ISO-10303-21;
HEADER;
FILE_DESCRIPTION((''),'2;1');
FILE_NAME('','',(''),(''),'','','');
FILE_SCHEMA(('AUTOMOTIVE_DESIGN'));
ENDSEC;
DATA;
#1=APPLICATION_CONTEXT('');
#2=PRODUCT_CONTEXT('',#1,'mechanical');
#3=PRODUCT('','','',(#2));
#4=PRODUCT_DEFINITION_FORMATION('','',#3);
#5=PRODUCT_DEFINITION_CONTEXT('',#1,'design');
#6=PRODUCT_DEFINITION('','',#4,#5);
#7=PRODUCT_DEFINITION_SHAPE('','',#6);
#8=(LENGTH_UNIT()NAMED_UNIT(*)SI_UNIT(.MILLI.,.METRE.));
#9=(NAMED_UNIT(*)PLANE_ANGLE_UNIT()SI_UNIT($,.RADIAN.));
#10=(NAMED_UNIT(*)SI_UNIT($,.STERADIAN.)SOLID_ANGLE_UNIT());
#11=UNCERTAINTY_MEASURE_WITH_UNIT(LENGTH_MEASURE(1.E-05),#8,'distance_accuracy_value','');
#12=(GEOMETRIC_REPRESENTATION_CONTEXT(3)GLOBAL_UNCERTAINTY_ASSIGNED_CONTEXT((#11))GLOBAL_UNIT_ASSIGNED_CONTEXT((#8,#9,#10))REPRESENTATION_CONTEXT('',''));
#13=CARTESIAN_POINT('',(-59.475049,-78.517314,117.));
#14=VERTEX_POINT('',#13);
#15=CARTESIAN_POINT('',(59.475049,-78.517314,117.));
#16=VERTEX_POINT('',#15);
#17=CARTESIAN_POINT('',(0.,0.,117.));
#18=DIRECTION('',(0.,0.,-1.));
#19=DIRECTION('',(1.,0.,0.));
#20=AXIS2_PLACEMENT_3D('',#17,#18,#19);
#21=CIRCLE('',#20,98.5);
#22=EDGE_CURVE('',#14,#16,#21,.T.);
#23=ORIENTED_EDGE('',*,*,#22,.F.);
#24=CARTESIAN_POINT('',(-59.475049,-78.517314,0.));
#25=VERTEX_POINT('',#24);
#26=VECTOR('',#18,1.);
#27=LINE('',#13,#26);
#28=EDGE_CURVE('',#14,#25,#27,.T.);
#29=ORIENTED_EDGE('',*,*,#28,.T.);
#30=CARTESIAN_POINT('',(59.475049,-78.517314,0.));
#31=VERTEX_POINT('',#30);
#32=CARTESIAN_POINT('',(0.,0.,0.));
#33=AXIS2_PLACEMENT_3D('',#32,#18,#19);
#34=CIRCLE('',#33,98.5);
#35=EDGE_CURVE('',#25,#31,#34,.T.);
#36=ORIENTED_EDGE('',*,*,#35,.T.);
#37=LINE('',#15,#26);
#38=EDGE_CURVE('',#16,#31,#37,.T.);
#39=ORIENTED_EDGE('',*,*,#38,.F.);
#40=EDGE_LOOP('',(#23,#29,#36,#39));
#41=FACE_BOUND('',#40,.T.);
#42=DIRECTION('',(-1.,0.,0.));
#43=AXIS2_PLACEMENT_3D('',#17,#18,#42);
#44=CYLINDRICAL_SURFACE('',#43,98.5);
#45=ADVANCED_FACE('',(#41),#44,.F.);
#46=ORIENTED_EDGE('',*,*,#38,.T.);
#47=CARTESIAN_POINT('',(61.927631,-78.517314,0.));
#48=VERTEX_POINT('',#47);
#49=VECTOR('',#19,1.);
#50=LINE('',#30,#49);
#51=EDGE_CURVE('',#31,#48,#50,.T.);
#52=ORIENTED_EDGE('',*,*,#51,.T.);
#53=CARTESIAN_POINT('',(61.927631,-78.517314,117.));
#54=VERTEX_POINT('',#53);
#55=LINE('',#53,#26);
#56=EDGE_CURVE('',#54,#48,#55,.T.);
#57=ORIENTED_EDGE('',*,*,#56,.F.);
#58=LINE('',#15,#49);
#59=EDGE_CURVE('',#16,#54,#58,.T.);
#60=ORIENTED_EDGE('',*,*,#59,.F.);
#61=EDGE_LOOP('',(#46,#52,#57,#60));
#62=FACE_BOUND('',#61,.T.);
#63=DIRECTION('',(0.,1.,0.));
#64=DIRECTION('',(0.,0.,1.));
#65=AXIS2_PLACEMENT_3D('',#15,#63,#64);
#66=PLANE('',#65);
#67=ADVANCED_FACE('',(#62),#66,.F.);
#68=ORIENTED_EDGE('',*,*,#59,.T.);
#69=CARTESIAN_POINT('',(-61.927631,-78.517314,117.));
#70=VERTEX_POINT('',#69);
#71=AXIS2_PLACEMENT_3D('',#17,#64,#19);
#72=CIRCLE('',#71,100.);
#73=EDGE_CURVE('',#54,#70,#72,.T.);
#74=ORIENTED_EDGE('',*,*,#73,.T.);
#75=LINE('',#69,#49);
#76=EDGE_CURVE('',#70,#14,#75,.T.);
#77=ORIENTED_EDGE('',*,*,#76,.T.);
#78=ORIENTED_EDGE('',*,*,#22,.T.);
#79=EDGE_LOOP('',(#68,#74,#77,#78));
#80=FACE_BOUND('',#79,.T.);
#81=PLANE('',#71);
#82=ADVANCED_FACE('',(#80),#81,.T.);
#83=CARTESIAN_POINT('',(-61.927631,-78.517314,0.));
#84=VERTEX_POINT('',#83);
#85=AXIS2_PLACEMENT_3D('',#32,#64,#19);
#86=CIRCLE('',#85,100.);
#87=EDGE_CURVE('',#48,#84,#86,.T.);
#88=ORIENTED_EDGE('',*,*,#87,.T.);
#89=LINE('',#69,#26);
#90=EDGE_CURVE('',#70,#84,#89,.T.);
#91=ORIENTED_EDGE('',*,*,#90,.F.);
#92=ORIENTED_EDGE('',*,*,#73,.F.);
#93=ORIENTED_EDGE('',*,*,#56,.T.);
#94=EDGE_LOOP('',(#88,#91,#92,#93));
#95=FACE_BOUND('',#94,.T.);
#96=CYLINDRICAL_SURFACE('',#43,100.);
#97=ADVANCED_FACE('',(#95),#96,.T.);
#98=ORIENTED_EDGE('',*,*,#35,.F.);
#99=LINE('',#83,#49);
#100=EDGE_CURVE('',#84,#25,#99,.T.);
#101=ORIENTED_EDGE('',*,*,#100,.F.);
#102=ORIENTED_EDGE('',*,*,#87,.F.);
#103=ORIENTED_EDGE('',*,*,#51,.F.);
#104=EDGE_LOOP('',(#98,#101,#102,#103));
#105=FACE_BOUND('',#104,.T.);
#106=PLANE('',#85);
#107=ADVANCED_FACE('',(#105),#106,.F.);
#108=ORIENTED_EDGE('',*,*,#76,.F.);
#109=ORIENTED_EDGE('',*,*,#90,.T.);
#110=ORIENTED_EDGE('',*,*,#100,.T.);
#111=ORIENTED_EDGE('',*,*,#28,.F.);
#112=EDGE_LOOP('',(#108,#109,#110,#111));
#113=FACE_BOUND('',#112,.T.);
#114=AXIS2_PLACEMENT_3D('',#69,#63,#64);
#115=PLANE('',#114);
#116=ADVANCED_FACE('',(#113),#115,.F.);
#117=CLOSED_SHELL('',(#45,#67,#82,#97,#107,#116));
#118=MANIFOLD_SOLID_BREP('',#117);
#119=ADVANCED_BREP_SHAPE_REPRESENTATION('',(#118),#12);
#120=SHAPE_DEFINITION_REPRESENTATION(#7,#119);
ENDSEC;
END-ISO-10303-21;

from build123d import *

# Parameters (mm, degrees)
EXTRUDE_1_DEPTH = 117


with BuildPart() as part:
    # 草图2 → 凸台-拉伸1 (new body)
    with BuildSketch(Plane.XY):
        with BuildLine():
            Line((-61.927630674, -78.517313754), (-59.475048894, -78.517313754))
            ThreePointArc((-59.475048894, -78.517313754), (0, 98.5), (59.475048894, -78.517313754))
            Line((59.475048894, -78.517313754), (61.927630674, -78.517313754))
            ThreePointArc((61.927630674, -78.517313754), (0, 100), (-61.927630674, -78.517313754))
        make_face()
    extrude(amount=EXTRUDE_1_DEPTH)


solid = part.part
